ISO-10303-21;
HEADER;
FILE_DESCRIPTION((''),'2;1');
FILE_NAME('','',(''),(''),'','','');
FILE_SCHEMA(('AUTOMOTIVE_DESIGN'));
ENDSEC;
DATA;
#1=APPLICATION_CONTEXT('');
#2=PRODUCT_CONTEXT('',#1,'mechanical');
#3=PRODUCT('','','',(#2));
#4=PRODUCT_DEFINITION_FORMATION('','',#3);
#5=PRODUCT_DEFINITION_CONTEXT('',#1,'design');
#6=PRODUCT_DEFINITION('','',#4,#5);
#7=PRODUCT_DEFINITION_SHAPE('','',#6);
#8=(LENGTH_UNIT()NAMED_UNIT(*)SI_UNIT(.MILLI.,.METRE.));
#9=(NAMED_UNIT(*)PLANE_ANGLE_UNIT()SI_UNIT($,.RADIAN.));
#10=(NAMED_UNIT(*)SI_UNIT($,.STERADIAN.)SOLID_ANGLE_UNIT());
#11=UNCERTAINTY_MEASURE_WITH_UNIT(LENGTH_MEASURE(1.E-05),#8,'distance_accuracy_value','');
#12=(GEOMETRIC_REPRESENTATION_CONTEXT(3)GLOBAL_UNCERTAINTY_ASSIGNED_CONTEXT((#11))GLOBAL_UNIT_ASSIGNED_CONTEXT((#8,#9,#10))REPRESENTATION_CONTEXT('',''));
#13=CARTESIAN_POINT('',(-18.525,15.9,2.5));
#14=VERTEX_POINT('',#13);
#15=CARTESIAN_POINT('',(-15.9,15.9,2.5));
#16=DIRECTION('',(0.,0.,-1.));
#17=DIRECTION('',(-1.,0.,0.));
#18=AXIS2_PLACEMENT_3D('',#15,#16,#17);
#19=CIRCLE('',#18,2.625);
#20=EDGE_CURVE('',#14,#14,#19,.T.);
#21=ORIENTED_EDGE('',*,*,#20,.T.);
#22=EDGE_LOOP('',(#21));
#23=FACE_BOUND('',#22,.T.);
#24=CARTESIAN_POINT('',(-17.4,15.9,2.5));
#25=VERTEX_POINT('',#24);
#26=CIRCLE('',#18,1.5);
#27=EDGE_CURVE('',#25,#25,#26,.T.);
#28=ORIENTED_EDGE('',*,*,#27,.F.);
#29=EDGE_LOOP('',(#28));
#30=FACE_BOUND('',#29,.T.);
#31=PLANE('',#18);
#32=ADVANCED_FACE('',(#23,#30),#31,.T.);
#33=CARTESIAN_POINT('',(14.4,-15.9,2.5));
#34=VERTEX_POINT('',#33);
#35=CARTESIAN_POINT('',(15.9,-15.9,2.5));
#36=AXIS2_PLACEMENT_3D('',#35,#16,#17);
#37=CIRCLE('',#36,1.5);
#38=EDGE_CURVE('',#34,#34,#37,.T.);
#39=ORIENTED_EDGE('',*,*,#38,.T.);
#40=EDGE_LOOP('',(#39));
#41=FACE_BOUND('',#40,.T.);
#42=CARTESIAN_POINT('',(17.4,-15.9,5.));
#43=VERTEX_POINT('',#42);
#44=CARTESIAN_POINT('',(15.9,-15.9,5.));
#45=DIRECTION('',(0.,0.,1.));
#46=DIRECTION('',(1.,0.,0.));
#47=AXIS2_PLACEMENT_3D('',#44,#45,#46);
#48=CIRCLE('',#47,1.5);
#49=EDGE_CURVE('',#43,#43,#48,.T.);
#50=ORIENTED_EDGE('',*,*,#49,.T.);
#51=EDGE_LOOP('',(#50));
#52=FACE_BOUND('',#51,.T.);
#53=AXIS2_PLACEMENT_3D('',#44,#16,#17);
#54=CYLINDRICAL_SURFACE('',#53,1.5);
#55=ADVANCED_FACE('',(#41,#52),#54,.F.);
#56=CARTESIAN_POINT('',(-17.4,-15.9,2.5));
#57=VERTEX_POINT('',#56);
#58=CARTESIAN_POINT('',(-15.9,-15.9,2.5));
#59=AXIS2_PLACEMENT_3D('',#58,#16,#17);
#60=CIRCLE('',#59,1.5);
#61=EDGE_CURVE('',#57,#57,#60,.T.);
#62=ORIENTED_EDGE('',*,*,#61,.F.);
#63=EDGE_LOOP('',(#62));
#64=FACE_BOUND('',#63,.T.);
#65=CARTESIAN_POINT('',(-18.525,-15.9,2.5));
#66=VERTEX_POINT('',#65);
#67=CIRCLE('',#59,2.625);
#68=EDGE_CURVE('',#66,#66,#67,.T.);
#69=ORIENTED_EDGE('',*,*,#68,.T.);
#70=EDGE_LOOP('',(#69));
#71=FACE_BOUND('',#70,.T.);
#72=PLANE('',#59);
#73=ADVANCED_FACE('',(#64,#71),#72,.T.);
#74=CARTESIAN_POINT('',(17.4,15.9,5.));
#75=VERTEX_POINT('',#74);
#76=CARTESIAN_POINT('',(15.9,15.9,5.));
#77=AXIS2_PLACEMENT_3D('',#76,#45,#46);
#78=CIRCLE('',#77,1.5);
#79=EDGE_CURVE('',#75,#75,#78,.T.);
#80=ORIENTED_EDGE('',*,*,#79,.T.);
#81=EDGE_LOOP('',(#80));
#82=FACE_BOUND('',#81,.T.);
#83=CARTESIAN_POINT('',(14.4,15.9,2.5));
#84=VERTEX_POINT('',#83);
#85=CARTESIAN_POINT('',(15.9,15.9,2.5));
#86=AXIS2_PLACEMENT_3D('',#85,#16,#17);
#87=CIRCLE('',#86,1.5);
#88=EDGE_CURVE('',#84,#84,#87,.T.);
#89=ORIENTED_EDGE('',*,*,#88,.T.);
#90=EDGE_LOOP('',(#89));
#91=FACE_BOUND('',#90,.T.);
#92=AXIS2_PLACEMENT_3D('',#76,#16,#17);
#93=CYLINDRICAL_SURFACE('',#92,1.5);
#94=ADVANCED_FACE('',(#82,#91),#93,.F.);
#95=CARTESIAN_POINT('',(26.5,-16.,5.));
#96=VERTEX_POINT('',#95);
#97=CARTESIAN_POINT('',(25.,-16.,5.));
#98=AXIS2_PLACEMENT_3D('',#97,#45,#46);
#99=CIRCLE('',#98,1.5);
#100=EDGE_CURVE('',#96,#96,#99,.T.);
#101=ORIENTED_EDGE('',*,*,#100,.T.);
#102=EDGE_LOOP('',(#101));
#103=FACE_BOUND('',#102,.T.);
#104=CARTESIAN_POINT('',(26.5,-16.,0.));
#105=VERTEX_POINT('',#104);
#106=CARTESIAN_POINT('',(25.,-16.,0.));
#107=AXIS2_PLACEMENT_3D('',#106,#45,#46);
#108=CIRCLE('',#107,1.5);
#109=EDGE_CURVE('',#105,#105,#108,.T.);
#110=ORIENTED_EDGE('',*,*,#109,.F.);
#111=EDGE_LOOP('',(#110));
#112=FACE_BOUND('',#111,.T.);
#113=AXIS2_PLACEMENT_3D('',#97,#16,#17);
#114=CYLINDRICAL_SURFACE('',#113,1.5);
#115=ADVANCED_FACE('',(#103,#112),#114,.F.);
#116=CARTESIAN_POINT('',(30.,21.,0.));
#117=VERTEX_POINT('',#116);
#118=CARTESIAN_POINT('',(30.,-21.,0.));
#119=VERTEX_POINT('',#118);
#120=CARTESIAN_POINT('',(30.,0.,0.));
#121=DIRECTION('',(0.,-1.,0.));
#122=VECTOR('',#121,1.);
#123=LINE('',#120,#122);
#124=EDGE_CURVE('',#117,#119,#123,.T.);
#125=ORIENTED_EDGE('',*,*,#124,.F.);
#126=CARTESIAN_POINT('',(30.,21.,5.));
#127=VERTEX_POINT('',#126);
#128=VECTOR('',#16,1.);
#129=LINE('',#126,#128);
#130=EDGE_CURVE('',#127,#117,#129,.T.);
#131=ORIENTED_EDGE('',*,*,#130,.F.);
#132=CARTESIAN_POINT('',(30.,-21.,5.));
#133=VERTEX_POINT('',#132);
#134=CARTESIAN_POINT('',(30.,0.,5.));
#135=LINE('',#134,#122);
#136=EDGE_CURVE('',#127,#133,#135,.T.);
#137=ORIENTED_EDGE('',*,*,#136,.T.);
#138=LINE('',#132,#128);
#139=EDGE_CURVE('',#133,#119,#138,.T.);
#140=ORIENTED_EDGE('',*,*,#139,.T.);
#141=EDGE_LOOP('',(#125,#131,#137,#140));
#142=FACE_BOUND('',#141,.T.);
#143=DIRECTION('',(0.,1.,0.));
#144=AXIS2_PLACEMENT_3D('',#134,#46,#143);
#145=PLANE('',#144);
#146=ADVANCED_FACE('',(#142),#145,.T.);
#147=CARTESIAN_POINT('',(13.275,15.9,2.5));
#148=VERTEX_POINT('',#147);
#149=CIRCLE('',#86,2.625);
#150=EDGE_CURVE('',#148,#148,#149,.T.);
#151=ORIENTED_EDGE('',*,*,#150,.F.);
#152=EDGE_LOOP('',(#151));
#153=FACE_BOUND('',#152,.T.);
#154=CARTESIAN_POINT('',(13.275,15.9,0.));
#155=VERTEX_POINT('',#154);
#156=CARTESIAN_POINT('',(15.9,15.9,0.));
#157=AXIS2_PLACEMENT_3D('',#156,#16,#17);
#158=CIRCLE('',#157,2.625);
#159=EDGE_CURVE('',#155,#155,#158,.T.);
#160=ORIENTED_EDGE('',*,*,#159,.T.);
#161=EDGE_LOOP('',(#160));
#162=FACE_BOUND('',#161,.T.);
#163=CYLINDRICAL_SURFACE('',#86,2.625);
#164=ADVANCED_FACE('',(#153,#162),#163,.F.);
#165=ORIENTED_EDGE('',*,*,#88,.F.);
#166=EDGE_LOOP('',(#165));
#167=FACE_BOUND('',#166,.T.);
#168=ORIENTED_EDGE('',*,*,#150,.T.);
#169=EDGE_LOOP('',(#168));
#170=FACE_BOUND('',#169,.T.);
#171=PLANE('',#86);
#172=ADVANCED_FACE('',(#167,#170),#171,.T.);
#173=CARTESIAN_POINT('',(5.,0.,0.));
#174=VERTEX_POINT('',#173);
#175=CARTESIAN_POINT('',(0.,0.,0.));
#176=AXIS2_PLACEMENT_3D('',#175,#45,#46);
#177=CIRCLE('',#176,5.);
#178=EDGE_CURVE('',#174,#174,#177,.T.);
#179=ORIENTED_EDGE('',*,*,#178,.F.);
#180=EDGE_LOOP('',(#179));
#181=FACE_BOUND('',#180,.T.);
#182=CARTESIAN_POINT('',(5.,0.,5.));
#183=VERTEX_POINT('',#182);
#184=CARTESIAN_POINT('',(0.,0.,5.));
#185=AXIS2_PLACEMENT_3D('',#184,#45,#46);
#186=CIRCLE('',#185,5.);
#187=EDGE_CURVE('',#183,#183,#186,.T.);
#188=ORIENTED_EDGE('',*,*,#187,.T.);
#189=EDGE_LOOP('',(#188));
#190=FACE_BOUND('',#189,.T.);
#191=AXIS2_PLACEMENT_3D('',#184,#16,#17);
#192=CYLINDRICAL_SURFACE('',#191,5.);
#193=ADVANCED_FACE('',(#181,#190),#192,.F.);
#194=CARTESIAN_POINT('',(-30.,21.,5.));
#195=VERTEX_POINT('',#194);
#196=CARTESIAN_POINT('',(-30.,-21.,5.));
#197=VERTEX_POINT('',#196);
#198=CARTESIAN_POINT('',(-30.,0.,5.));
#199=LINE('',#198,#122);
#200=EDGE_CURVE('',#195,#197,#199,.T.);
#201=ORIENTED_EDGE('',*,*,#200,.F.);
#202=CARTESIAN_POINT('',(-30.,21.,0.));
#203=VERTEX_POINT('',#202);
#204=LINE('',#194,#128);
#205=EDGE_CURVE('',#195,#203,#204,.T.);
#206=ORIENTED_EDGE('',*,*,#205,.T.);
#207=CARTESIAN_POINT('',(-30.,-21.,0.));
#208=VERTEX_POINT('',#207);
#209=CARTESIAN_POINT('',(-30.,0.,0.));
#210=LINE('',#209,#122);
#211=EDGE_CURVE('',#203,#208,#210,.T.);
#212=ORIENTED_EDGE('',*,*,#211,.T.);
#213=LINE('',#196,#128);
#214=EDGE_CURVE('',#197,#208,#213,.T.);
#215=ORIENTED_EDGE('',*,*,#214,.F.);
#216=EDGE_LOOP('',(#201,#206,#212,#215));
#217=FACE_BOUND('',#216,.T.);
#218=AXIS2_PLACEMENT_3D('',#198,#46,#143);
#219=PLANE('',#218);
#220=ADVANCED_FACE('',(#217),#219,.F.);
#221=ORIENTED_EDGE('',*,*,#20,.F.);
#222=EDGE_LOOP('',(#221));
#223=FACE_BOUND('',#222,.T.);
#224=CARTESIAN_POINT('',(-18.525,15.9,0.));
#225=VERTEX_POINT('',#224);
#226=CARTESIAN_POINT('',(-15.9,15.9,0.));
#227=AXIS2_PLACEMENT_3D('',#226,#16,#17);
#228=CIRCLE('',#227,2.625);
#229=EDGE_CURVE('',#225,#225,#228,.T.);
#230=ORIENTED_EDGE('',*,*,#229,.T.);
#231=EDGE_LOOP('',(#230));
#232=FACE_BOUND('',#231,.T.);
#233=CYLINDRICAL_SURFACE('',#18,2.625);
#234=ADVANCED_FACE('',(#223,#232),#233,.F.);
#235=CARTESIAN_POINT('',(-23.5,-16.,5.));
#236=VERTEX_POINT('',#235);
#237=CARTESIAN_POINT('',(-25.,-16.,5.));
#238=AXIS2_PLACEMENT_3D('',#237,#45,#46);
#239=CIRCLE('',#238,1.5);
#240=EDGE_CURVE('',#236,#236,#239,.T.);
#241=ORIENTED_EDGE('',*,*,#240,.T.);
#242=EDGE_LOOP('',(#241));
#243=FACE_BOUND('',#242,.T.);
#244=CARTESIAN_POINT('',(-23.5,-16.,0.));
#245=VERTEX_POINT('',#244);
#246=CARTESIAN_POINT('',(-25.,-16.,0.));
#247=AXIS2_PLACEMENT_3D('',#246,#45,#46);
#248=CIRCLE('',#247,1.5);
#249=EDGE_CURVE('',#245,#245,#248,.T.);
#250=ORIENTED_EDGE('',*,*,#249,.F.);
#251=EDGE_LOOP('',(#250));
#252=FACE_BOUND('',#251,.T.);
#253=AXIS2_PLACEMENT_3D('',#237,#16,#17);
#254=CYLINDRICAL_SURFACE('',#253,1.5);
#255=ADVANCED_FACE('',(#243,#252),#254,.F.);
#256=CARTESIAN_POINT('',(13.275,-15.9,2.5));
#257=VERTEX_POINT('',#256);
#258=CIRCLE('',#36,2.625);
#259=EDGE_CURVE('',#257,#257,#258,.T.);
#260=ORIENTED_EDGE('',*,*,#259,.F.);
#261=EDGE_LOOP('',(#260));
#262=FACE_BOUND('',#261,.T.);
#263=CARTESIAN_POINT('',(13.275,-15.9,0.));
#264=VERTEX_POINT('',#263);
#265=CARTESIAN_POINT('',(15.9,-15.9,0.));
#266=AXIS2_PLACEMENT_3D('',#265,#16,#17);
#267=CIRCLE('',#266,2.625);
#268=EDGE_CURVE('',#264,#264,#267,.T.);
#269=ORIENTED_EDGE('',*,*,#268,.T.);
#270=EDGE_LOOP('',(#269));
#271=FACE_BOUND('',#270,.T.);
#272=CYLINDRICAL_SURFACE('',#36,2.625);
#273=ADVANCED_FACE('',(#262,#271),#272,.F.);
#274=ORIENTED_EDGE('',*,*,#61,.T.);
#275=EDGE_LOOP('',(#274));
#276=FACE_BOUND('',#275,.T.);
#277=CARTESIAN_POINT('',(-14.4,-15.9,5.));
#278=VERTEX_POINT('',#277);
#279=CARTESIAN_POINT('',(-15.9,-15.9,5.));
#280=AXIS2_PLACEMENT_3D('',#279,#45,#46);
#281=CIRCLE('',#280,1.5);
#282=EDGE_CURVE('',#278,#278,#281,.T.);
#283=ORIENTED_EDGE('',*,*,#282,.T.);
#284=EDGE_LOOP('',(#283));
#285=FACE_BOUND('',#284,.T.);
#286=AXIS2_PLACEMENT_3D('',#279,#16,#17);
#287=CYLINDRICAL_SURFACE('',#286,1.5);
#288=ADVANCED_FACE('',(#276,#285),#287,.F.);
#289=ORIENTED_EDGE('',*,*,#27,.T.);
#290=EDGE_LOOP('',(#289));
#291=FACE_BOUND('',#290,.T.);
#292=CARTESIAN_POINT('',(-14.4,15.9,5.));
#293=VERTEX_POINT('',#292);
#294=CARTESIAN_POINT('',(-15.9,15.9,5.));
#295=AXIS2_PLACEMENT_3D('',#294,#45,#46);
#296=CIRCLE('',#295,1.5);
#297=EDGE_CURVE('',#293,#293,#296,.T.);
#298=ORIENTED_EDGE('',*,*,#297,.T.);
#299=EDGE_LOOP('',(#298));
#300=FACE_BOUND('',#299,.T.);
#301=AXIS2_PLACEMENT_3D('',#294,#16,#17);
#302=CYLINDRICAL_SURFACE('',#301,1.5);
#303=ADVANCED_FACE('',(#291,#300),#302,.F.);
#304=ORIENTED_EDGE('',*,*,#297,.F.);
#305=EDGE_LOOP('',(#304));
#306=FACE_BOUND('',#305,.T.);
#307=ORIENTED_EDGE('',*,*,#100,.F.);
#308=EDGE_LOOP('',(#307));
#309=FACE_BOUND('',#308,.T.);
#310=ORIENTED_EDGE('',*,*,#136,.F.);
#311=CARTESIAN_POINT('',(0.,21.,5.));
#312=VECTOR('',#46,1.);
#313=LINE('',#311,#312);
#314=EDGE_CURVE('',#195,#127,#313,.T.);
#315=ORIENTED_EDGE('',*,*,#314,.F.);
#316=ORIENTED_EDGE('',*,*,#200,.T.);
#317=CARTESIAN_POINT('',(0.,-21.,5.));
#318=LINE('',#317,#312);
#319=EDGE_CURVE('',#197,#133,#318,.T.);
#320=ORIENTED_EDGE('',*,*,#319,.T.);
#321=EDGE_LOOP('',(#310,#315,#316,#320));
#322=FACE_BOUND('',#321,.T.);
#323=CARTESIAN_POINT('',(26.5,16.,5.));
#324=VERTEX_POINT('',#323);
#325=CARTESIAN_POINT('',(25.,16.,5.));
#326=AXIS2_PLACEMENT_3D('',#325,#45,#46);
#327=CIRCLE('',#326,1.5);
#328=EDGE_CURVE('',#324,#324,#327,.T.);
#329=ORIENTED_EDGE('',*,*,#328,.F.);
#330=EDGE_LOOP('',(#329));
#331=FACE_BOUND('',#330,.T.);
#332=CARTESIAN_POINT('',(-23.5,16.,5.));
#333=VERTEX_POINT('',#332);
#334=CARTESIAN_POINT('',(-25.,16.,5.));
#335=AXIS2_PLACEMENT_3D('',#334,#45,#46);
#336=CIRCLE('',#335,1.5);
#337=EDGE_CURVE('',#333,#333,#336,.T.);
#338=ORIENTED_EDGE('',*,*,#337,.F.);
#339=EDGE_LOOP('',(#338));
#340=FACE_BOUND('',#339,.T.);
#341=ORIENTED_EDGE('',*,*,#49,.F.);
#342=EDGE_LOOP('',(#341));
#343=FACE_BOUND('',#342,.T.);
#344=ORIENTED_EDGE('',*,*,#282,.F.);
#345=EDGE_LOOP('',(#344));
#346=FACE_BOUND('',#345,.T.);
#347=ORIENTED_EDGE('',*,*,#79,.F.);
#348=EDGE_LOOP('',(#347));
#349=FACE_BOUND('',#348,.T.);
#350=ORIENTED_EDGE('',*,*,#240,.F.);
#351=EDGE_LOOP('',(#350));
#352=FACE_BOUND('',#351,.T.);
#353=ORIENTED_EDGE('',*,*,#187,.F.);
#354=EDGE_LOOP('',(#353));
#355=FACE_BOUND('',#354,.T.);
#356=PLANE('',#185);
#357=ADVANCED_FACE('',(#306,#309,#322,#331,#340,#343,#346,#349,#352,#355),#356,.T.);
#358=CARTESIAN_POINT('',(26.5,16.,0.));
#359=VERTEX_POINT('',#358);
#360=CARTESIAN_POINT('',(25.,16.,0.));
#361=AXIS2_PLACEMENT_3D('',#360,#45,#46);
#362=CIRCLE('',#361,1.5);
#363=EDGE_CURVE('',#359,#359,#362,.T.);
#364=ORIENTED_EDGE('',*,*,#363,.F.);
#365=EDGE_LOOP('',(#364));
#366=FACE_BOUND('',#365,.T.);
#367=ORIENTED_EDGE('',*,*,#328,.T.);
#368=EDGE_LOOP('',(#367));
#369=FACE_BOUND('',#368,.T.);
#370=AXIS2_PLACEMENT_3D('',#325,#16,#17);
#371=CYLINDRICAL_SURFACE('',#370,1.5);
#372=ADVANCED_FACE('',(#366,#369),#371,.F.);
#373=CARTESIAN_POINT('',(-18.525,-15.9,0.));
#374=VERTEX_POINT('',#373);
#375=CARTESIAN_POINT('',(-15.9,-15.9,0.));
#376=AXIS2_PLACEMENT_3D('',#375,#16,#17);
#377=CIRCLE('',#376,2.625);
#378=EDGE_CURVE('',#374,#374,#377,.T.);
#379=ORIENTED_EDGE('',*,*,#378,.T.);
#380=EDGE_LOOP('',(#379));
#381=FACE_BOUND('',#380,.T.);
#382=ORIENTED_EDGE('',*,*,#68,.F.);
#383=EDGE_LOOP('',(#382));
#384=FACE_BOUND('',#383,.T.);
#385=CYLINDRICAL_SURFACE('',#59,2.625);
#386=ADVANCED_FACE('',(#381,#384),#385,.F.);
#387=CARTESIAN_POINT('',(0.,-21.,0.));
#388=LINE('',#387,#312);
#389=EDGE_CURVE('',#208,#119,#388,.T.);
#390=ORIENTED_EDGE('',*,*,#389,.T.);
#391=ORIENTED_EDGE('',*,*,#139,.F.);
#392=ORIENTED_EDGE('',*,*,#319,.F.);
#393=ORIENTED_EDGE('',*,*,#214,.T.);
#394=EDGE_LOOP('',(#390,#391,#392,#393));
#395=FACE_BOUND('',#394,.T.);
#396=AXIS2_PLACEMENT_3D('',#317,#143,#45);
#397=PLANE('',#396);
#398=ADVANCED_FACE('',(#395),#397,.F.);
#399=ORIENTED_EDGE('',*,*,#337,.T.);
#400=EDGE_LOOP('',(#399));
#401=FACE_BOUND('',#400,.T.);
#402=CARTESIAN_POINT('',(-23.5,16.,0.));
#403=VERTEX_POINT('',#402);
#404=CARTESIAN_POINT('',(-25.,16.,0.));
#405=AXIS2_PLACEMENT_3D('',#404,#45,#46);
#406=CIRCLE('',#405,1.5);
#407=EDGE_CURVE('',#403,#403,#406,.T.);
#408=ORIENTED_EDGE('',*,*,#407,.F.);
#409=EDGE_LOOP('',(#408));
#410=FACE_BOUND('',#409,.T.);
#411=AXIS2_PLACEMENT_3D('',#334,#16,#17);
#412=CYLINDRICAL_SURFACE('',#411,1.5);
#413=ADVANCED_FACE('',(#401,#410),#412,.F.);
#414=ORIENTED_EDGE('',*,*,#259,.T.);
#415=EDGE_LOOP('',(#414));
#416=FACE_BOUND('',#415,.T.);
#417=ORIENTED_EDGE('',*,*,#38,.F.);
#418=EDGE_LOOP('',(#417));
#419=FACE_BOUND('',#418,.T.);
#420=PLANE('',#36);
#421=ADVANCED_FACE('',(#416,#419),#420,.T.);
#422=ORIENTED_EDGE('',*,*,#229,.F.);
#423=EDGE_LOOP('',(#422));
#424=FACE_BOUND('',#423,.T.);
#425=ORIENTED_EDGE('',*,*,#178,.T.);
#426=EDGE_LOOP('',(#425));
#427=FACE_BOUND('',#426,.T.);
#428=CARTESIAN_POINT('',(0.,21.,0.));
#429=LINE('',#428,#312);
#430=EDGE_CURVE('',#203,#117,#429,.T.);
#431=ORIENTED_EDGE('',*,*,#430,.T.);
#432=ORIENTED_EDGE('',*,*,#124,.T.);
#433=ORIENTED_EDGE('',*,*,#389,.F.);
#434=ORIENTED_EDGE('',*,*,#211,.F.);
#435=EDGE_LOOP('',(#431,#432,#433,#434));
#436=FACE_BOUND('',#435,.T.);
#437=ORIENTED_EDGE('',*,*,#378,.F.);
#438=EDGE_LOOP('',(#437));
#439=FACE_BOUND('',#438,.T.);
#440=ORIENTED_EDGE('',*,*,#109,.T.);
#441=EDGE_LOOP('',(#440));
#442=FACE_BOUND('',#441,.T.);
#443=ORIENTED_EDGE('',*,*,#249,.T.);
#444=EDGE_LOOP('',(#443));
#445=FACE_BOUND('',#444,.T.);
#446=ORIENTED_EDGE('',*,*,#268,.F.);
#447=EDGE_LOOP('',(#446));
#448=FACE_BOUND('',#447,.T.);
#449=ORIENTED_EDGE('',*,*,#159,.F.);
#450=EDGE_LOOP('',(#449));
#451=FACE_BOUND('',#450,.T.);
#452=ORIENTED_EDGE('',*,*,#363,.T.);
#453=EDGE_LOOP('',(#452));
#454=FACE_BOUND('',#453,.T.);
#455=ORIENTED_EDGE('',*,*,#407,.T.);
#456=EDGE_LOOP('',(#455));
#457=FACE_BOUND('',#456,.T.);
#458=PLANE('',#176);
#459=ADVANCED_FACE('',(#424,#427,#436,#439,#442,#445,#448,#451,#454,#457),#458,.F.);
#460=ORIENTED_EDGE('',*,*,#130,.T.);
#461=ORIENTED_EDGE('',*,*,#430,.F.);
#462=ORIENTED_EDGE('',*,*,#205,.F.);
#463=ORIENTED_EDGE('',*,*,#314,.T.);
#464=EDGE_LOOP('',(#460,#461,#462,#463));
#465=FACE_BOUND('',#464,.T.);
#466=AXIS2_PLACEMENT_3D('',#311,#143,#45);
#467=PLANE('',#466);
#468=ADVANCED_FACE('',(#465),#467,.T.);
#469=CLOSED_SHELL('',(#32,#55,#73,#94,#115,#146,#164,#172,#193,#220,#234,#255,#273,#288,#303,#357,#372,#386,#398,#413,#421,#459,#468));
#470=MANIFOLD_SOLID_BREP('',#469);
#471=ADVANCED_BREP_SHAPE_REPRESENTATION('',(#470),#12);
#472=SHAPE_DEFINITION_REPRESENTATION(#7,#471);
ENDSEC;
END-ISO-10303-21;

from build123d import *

# Parameters (mm, degrees)
SKETCH1_W           = 60
SKETCH1_H           = 42
SKETCH1_R           = 1.5
SKETCH1_R_2         = 5
BOSS_EXTRUDE1_DEPTH = 5
SKETCH3_R           = 2.625
CUT_EXTRUDE4_DEPTH  = 2.5


with BuildPart() as part:
    # Sketch1 → Boss-Extrude1 (new body)
    with BuildSketch(Plane.XY):
        Rectangle(SKETCH1_W, SKETCH1_H)
        with Locations((-15.9, 15.9)):
            Circle(SKETCH1_R, mode=Mode.SUBTRACT)
        with Locations((15.9, 15.9)):
            Circle(SKETCH1_R, mode=Mode.SUBTRACT)
        with Locations((15.9, -15.9)):
            Circle(SKETCH1_R, mode=Mode.SUBTRACT)
        with Locations((-15.9, -15.9)):
            Circle(SKETCH1_R, mode=Mode.SUBTRACT)
        with Locations((-25, 16)):
            Circle(SKETCH1_R, mode=Mode.SUBTRACT)
        Circle(SKETCH1_R_2, mode=Mode.SUBTRACT)
        with Locations((25, 16)):
            Circle(SKETCH1_R, mode=Mode.SUBTRACT)
        with Locations((25, -16)):
            Circle(SKETCH1_R, mode=Mode.SUBTRACT)
        with Locations((-25, -16)):
            Circle(SKETCH1_R, mode=Mode.SUBTRACT)
    extrude(amount=BOSS_EXTRUDE1_DEPTH)

    # Sketch3 → Cut-Extrude4 (cut)
    with BuildSketch(Plane(origin=(0, 0, 0), x_dir=(-1, 0, 0), z_dir=(0, 0, -1))):
        with Locations((-15.9, 15.9)):
            Circle(SKETCH3_R)
        with Locations((15.9, 15.9)):
            Circle(SKETCH3_R)
        with Locations((15.9, -15.9)):
            Circle(SKETCH3_R)
        with Locations((-15.9, -15.9)):
            Circle(SKETCH3_R)
    extrude(amount=-CUT_EXTRUDE4_DEPTH, mode=Mode.SUBTRACT)


solid = part.part
